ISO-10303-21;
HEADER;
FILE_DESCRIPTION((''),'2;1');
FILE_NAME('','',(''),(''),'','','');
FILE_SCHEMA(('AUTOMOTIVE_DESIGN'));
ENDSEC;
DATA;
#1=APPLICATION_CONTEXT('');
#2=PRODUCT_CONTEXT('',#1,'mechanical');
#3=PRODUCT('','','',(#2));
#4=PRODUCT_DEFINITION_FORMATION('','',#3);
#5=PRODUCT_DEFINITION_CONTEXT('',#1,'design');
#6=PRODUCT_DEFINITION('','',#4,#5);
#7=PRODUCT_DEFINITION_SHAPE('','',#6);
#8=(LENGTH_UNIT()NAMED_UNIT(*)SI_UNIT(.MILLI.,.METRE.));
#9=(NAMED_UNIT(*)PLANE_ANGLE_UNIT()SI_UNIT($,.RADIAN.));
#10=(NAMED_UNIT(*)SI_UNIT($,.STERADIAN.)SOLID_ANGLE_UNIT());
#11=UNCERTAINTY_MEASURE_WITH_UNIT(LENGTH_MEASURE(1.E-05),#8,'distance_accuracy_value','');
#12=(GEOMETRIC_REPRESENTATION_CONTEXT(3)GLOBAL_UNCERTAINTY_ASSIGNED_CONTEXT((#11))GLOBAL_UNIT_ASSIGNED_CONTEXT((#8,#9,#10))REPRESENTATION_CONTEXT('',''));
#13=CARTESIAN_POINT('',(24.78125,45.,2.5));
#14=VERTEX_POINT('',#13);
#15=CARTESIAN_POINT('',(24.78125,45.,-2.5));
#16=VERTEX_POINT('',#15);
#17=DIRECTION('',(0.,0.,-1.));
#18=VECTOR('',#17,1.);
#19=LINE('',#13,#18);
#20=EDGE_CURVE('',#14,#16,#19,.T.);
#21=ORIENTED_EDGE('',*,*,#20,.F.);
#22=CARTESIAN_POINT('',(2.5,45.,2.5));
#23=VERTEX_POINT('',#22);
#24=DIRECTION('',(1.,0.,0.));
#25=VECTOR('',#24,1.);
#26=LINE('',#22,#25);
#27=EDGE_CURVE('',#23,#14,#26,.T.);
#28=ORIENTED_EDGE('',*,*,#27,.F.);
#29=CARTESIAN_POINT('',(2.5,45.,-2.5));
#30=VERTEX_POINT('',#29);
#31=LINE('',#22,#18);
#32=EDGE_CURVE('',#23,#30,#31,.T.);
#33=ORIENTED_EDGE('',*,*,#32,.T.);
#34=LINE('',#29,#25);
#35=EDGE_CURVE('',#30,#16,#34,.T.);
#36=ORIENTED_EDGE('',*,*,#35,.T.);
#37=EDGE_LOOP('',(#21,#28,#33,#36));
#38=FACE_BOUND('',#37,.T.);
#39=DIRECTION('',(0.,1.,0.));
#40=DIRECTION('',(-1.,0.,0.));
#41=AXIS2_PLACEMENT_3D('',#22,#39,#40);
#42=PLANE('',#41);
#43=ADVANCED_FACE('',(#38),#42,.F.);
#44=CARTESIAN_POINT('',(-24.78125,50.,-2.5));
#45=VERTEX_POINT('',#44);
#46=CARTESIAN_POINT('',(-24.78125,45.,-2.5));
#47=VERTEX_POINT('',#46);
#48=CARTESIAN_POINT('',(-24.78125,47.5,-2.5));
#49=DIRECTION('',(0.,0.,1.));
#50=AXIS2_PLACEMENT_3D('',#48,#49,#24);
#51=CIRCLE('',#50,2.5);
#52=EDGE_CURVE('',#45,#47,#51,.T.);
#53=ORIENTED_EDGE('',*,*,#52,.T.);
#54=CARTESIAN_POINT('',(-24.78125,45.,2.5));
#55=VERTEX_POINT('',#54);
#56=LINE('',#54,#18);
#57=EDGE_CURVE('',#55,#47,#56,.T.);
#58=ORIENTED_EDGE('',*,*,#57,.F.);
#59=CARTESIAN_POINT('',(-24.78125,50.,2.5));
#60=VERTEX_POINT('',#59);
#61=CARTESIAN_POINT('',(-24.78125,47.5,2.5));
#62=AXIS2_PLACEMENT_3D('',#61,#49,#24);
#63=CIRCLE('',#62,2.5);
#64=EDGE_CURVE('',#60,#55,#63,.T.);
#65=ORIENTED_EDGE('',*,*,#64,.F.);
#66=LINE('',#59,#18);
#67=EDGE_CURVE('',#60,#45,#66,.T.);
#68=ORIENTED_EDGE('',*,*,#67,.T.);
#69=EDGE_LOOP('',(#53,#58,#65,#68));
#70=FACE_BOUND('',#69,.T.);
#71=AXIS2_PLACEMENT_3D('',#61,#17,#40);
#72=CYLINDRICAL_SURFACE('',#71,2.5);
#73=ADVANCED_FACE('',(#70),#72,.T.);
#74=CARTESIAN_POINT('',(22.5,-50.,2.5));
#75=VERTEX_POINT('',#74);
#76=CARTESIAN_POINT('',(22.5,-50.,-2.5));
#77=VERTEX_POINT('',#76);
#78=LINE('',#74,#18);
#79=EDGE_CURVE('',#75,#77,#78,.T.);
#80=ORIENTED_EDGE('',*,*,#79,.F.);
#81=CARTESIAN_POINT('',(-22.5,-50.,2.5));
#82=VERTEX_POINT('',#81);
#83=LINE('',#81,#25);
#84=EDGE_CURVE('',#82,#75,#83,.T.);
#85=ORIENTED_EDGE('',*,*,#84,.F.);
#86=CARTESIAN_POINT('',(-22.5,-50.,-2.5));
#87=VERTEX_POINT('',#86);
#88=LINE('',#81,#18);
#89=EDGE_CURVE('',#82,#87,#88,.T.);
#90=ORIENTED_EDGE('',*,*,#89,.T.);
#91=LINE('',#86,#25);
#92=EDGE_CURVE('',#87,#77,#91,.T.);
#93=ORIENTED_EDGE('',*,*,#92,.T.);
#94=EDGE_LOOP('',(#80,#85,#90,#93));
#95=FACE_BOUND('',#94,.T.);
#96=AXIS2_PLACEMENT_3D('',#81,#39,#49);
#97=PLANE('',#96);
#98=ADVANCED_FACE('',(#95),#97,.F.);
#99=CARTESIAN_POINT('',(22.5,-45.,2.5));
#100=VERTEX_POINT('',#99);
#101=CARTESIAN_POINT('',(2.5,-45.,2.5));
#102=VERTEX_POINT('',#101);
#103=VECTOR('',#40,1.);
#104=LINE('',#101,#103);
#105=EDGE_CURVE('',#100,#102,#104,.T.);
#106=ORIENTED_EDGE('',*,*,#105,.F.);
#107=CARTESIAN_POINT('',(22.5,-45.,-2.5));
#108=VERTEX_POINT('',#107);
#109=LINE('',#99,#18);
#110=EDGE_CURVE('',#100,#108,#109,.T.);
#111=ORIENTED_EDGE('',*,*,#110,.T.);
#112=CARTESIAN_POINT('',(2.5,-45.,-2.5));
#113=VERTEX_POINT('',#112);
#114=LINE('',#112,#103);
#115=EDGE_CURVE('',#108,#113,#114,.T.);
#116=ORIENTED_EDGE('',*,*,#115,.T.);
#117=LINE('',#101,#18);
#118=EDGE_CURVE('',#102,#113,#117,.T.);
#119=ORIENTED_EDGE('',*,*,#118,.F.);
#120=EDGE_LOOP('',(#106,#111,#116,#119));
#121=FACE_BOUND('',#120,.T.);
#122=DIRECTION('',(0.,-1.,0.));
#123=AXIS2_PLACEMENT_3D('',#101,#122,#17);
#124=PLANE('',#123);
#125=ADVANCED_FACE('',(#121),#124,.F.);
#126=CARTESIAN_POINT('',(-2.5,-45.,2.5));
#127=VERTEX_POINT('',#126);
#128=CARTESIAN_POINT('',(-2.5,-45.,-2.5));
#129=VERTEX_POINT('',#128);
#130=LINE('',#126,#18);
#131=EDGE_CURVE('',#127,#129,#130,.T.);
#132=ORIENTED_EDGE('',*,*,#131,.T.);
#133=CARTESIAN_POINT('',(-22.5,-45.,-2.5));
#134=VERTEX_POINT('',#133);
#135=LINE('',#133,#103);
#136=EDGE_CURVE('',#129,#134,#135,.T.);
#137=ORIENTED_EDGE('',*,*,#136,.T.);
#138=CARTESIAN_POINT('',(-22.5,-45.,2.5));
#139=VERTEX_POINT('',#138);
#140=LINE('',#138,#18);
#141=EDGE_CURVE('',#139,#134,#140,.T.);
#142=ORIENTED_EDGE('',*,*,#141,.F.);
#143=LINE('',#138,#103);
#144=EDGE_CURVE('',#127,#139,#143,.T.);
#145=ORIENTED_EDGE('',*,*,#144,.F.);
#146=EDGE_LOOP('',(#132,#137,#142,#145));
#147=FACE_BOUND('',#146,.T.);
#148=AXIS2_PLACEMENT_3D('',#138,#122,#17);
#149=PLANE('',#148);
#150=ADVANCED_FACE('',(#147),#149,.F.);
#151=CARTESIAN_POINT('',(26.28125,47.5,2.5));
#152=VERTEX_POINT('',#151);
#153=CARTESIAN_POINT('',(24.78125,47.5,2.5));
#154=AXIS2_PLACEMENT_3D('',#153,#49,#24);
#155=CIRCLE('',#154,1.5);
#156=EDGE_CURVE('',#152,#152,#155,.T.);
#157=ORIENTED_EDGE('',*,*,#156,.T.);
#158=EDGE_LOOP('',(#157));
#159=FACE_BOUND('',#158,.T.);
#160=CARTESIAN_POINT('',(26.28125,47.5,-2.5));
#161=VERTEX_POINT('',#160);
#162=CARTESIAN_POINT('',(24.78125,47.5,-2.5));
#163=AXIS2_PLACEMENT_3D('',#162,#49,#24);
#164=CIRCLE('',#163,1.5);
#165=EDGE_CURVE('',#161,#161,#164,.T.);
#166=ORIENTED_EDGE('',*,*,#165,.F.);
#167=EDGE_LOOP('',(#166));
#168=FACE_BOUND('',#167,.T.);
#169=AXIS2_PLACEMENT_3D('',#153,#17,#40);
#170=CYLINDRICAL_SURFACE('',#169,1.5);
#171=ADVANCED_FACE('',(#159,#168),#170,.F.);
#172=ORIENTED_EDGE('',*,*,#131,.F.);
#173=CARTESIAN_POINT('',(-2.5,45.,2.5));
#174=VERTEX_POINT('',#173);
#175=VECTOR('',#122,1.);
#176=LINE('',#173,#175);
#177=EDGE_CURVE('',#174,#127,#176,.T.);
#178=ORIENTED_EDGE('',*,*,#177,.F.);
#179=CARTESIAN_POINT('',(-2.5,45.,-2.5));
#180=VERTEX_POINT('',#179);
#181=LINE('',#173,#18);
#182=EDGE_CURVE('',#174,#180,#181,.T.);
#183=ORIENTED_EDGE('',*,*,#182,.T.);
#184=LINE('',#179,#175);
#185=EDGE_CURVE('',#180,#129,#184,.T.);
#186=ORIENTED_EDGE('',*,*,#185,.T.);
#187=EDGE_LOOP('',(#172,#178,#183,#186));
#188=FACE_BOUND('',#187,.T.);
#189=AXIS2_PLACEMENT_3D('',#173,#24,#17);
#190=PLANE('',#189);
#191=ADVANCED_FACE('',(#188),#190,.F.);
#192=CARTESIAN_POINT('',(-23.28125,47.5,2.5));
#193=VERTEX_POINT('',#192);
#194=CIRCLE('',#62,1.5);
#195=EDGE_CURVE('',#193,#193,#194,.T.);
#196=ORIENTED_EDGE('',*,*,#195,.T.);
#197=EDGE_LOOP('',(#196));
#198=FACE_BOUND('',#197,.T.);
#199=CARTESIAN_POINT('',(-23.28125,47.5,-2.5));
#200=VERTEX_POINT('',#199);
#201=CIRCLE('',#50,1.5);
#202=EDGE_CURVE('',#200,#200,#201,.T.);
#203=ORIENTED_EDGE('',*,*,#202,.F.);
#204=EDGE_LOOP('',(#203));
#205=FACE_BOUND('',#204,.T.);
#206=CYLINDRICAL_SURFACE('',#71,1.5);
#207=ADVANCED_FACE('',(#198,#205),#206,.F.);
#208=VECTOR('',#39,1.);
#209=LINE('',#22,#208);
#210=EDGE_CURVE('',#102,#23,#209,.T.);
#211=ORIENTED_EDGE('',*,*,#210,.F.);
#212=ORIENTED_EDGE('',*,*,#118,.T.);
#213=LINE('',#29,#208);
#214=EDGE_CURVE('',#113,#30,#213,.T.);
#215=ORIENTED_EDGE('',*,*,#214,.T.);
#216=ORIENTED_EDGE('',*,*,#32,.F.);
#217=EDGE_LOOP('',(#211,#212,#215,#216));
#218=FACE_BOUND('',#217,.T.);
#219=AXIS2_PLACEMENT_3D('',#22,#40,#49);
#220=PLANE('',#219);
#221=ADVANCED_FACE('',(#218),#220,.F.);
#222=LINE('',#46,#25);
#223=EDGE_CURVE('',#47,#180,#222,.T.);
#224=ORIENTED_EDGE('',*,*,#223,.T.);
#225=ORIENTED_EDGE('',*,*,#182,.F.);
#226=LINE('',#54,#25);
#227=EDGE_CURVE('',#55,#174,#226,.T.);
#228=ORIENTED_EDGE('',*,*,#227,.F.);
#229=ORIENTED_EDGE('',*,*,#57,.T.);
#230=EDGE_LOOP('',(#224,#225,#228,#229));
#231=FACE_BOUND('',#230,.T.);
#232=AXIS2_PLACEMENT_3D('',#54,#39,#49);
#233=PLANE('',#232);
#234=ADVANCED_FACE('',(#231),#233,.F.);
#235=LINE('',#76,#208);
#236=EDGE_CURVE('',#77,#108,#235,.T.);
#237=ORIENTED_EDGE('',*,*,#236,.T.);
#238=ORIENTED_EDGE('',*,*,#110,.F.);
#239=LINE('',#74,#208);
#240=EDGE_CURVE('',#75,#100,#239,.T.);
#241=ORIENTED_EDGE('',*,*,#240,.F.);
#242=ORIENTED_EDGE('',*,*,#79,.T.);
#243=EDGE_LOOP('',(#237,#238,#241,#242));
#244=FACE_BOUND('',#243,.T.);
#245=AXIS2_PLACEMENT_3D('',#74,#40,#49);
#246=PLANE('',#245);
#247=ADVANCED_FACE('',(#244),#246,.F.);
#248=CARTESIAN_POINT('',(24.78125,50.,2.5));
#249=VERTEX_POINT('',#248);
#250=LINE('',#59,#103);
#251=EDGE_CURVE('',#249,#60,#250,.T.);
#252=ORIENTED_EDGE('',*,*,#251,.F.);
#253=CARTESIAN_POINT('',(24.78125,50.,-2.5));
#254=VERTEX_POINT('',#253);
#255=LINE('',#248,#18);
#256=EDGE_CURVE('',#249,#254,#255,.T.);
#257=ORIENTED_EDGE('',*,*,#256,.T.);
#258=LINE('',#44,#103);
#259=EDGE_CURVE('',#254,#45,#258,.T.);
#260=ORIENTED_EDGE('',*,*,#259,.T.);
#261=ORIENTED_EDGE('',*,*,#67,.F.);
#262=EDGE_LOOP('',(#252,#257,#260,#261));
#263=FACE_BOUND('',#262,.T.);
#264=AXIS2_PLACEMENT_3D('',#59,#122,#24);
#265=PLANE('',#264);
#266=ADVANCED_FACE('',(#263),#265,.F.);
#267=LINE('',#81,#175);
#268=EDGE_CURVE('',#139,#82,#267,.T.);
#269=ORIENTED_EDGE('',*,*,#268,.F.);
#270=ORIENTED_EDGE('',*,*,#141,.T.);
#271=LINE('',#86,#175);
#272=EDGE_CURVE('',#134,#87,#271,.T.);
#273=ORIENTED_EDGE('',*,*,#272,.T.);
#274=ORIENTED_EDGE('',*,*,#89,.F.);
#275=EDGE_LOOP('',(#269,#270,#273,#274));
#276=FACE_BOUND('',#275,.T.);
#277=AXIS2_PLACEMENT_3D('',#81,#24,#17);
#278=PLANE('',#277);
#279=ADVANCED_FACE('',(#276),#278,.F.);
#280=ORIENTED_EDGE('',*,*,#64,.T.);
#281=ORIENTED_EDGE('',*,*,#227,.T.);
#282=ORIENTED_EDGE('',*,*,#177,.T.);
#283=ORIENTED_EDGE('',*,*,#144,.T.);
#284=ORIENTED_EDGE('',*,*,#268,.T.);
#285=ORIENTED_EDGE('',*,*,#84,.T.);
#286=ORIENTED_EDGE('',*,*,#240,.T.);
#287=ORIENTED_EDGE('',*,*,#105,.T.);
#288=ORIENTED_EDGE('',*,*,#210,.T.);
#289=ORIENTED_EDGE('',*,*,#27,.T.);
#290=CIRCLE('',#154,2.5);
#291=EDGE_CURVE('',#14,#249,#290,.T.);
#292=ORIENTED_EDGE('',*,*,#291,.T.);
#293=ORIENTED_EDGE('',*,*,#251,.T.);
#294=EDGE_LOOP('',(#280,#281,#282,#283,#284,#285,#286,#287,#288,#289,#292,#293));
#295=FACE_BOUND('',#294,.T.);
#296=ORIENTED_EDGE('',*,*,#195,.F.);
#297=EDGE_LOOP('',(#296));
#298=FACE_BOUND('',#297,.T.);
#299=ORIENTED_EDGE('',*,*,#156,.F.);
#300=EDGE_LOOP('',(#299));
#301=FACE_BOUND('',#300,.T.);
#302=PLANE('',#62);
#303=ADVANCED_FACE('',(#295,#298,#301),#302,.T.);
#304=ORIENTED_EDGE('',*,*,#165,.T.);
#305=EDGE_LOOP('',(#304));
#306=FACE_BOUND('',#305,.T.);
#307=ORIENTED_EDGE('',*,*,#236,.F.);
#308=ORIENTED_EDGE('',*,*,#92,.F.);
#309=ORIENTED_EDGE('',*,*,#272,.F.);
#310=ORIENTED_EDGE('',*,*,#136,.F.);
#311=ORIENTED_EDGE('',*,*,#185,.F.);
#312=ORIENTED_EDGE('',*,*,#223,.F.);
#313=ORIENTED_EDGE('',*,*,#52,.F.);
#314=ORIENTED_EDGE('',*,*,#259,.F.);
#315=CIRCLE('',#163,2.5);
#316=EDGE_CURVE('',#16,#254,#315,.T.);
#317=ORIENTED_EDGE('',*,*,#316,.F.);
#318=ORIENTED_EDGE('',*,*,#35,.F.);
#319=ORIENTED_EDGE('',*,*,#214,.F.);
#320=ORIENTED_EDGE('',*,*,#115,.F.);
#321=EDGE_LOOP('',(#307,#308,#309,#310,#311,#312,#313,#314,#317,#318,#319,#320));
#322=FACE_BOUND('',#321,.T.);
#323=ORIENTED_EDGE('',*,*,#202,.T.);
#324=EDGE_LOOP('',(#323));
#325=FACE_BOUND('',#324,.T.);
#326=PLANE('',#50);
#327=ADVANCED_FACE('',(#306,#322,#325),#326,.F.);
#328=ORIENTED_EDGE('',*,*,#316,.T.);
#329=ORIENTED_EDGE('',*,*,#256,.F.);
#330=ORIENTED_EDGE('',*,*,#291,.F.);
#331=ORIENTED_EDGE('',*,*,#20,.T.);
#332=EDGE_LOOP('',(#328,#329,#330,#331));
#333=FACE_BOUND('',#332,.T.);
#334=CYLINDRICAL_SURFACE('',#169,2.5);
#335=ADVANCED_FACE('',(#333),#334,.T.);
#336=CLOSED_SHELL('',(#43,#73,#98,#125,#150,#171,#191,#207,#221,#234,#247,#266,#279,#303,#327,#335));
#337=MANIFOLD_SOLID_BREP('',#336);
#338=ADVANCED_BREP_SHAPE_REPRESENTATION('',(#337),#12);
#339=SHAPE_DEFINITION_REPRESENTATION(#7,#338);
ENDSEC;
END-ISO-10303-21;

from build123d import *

# Parameters (mm, degrees)
SKETCH1_R           = 1.5
BOSS_EXTRUDE1_DEPTH = 2.5


with BuildPart() as part:
    # Sketch1 → Boss-Extrude1 (new, symmetric)
    with BuildSketch(Plane.XY):
        with BuildLine():
            Line((-24.78125, 50), (24.78125, 50))
            ThreePointArc((24.78125, 50), (27.28125, 47.5), (24.78125, 45))
            Line((24.78125, 45), (2.5, 45))
            Line((2.5, 45), (2.5, -45))
            Line((2.5, -45), (22.5, -45))
            Line((22.5, -45), (22.5, -50))
            Line((22.5, -50), (-22.5, -50))
            Line((-22.5, -50), (-22.5, -45))
            Line((-22.5, -45), (-2.5, -45))
            Line((-2.5, -45), (-2.5, 45))
            Line((-2.5, 45), (-24.78125, 45))
            ThreePointArc((-24.78125, 45), (-27.28125, 47.5), (-24.78125, 50))
        make_face()
        with Locations((-24.78125, 47.5)):
            Circle(SKETCH1_R, mode=Mode.SUBTRACT)
        with Locations((24.78125, 47.5)):
            Circle(SKETCH1_R, mode=Mode.SUBTRACT)
    extrude(amount=BOSS_EXTRUDE1_DEPTH, both=True)


solid = part.part
